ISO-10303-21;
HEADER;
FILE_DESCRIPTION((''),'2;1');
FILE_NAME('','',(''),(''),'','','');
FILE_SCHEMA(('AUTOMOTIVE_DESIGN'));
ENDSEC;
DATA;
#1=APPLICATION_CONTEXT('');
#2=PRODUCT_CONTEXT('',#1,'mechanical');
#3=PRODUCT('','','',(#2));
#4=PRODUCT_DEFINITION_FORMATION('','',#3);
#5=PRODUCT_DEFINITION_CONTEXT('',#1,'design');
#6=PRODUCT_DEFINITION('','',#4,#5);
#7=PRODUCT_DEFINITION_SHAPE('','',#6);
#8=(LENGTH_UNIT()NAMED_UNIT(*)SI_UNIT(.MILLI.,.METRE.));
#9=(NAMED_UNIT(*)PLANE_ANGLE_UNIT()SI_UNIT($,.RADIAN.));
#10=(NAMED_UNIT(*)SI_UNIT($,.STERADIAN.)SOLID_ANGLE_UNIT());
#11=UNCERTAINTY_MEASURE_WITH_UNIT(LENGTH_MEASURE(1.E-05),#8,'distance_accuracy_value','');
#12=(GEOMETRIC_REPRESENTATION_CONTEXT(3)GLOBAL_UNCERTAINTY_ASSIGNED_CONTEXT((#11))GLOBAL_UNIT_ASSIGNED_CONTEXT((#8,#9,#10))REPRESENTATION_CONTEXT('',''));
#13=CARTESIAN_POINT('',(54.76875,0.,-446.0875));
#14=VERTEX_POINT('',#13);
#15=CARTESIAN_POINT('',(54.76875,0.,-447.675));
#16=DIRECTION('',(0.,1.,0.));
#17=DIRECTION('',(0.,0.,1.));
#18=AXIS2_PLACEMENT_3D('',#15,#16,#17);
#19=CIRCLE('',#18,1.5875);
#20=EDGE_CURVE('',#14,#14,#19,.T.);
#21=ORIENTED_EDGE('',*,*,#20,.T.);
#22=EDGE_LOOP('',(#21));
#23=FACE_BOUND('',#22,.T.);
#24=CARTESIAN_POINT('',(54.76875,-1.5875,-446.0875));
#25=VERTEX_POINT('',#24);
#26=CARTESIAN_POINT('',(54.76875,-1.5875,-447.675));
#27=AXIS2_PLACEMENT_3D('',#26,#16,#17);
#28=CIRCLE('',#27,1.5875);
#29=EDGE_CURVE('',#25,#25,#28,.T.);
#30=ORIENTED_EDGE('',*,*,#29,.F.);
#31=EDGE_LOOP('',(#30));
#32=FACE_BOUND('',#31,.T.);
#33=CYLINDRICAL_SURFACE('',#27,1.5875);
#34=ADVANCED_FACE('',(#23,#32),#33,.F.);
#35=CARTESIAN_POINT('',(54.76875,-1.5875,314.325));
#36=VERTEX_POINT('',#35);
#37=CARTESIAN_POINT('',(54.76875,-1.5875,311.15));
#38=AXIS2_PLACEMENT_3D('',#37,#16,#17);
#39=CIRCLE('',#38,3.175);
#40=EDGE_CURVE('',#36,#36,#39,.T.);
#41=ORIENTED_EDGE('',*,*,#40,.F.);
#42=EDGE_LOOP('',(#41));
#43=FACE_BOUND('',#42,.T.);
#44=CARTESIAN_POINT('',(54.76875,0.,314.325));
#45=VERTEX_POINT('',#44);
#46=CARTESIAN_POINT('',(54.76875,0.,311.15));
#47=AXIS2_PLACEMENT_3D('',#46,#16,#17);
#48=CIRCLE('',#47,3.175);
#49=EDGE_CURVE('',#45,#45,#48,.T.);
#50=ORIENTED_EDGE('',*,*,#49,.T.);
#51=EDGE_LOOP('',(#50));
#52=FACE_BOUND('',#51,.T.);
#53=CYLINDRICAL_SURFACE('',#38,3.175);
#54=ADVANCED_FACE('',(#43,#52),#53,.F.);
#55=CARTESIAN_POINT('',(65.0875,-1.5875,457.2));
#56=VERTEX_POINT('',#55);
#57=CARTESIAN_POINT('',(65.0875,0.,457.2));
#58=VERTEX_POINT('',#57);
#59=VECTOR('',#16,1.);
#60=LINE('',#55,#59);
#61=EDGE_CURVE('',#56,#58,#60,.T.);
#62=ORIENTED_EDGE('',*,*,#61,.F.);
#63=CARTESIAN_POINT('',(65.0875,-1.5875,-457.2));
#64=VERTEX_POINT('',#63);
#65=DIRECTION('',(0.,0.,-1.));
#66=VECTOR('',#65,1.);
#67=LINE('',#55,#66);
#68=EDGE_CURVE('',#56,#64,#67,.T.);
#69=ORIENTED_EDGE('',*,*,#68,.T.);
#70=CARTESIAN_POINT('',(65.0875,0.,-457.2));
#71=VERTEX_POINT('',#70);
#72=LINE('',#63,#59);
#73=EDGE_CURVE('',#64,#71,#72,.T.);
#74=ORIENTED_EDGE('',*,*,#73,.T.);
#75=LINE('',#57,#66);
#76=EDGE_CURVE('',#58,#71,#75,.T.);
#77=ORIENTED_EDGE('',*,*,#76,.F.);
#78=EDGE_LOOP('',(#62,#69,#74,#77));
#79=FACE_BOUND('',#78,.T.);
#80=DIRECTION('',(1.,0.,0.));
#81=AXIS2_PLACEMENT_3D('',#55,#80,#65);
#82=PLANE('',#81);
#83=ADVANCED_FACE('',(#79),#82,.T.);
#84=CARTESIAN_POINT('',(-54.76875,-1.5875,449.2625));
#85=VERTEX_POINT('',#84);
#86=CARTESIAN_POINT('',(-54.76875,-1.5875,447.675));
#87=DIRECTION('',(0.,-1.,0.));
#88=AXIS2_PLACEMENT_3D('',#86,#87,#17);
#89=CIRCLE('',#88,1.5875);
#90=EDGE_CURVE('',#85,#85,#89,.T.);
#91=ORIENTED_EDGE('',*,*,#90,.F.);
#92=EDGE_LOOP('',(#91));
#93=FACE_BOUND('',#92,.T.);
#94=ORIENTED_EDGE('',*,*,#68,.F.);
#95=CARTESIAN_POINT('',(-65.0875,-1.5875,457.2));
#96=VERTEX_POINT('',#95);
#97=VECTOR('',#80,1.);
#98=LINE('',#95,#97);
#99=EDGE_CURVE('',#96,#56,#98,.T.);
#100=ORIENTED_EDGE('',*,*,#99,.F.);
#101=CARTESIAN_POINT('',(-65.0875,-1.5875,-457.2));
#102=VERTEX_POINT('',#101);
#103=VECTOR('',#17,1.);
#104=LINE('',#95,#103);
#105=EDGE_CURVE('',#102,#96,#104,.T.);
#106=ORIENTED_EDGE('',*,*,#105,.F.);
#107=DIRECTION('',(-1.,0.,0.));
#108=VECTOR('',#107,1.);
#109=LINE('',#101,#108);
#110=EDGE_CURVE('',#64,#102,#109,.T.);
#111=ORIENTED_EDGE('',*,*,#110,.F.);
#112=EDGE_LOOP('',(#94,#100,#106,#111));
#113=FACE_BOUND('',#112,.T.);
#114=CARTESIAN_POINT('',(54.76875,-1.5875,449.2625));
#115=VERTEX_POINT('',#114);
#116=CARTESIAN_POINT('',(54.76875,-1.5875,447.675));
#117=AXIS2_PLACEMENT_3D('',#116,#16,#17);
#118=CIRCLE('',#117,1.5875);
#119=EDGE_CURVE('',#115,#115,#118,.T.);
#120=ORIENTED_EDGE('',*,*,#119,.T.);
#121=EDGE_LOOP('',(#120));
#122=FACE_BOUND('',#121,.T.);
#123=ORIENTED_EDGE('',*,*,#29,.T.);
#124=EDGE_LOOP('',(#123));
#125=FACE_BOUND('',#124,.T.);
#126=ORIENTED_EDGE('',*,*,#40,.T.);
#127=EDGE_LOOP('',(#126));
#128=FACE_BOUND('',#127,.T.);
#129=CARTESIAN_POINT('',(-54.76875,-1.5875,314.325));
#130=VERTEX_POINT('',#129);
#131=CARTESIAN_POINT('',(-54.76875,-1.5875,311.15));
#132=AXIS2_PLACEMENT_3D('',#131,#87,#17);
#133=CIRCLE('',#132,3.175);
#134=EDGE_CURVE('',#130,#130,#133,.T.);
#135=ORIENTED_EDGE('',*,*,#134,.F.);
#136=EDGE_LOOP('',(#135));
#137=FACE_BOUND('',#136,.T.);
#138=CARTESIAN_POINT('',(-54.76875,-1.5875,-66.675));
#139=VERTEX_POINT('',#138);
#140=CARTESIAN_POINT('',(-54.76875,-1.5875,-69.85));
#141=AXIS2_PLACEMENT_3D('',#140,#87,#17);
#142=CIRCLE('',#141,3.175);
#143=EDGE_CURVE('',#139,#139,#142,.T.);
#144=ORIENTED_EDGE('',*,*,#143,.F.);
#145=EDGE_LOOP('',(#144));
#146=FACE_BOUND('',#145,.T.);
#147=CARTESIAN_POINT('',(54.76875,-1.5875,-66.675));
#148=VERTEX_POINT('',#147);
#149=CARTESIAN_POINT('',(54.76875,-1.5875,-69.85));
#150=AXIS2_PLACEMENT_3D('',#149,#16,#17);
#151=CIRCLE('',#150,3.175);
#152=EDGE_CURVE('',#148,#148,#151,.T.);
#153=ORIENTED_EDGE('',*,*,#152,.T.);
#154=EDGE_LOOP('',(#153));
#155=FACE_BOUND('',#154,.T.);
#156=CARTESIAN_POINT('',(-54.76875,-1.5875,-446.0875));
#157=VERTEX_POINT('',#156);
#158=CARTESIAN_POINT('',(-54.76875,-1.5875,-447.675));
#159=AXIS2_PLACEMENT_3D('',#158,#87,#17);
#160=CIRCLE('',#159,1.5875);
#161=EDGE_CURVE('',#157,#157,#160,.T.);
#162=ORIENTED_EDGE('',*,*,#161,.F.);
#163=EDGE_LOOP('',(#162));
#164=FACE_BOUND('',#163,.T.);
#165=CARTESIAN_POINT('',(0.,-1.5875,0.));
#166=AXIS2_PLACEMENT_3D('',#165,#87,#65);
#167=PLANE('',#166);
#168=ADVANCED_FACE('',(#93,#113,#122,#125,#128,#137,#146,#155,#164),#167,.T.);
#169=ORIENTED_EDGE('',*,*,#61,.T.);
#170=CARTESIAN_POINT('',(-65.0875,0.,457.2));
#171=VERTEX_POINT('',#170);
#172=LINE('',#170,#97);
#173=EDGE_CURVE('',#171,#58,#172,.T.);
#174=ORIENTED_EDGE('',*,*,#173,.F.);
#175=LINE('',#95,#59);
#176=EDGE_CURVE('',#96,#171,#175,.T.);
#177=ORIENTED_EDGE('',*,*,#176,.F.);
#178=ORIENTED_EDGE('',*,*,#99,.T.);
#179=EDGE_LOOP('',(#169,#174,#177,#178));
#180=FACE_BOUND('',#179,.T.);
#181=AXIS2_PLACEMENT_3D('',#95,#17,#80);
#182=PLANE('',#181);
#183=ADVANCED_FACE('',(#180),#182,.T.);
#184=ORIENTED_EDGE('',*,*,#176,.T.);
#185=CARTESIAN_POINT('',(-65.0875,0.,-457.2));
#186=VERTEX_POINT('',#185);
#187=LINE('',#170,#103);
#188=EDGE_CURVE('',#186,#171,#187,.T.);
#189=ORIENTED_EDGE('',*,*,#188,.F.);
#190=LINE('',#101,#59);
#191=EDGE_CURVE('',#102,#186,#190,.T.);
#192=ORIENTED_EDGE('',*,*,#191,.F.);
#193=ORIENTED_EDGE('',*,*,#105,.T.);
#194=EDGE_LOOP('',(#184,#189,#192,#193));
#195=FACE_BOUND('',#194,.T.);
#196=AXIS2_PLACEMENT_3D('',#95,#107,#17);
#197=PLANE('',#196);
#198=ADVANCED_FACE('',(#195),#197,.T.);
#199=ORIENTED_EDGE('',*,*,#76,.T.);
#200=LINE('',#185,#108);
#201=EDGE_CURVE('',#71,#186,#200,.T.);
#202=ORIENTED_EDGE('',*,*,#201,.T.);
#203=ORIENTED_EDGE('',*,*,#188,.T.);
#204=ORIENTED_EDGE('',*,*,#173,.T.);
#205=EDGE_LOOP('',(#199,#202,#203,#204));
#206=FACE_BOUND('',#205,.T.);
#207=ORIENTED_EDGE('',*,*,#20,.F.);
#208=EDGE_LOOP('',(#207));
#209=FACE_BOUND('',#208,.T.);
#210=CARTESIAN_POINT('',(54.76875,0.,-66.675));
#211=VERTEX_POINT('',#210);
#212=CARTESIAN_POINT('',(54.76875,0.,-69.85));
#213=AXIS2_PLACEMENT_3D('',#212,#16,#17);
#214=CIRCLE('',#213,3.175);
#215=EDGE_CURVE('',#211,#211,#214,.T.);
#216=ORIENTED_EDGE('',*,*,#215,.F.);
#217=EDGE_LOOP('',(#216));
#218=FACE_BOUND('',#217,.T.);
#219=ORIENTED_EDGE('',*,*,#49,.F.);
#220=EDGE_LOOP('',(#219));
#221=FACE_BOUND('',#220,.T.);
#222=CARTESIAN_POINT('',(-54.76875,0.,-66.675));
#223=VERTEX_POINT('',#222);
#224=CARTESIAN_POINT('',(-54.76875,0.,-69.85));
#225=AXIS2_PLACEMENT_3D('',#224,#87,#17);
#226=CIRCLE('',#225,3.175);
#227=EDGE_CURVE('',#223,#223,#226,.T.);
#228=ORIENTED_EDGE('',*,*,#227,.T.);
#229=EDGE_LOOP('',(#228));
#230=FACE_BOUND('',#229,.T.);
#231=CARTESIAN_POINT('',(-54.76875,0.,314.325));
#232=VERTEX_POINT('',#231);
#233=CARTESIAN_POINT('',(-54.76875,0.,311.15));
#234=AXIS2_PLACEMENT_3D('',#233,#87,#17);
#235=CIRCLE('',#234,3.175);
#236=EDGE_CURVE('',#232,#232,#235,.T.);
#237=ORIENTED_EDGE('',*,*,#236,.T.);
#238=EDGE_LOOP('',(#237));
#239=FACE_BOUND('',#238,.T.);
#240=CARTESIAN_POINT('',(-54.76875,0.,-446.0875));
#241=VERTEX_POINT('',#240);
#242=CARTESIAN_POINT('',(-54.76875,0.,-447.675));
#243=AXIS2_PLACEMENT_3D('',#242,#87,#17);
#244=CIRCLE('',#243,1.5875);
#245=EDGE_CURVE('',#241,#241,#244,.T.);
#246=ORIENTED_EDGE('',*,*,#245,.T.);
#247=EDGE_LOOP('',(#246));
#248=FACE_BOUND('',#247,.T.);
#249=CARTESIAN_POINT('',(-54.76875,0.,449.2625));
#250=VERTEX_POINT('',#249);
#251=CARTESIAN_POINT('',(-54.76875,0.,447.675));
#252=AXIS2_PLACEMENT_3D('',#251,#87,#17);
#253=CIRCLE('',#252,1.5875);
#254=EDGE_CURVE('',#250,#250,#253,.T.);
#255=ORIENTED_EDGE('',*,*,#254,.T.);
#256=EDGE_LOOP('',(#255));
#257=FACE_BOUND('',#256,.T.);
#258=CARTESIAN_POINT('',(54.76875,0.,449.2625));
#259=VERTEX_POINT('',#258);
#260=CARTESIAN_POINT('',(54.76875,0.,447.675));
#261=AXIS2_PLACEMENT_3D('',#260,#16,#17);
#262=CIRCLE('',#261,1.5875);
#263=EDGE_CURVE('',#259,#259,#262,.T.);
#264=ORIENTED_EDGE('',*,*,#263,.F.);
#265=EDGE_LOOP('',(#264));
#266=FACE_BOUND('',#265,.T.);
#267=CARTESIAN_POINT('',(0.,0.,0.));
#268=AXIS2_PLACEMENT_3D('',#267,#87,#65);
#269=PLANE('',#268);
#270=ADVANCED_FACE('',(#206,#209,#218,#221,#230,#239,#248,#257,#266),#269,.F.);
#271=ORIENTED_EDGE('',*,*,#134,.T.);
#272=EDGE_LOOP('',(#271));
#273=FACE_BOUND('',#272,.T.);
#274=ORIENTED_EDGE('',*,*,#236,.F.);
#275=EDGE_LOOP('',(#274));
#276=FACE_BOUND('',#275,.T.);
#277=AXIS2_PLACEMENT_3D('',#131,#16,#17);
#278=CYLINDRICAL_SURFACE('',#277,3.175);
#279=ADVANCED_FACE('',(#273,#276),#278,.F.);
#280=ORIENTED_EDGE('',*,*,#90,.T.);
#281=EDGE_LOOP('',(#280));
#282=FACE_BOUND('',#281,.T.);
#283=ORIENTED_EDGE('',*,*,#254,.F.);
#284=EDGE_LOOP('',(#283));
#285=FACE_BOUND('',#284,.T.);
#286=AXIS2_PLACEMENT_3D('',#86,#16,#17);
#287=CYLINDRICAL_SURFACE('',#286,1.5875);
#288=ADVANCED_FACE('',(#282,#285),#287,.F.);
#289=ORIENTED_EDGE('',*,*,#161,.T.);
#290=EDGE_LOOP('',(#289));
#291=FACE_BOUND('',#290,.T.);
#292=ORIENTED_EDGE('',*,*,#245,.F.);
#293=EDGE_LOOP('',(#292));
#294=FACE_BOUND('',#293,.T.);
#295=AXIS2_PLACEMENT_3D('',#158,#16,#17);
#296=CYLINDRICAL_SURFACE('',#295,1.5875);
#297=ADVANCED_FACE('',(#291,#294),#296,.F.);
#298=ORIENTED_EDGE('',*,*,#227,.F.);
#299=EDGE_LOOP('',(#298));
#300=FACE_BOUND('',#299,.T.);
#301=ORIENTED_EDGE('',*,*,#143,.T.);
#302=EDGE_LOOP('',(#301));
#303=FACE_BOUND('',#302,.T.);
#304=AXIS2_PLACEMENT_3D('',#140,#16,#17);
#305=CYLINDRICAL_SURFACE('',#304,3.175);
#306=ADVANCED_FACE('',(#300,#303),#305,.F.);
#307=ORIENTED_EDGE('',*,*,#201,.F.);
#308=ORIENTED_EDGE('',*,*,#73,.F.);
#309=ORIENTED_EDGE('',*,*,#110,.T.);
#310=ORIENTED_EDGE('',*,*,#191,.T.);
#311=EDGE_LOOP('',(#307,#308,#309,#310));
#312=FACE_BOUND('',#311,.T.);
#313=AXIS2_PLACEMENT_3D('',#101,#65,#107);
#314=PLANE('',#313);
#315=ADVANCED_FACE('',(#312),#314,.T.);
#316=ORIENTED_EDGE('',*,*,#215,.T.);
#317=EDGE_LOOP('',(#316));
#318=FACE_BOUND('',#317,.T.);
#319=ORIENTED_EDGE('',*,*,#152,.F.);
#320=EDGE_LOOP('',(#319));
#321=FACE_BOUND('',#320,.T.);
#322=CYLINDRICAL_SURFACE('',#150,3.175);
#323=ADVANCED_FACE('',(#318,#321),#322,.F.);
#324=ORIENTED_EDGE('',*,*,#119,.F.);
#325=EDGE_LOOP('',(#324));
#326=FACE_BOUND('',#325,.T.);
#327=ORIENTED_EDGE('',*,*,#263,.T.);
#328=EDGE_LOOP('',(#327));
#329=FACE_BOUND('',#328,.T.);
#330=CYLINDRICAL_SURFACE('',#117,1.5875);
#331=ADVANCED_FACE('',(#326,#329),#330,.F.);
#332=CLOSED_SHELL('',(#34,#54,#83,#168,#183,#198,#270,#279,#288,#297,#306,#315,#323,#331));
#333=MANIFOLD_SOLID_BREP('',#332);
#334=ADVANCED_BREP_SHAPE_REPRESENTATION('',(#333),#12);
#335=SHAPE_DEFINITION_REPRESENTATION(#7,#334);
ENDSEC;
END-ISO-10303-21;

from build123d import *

# Parameters (mm, degrees)
SKETCH1_W           = 130.175
SKETCH1_H           = 914.4
BOSS_EXTRUDE1_DEPTH = 1.5875
SKETCH2_R           = 1.5875
SKETCH2_R_2         = 3.175
CUT_EXTRUDE2_DEPTH  = 462.812454155


with BuildPart() as part:
    # Sketch1 → Boss-Extrude1 (new body)
    with BuildSketch(Plane(origin=(0, 0, 0), x_dir=(1, 0, 0), z_dir=(0, 1, 0))):
        Rectangle(SKETCH1_W, SKETCH1_H)
    extrude(amount=-BOSS_EXTRUDE1_DEPTH)

    # Sketch2 → Cut-Extrude2 (cut, through all)
    with BuildSketch(Plane(origin=(0, 0, 0), x_dir=(1, 0, 0), z_dir=(0, 1, 0))):
        with Locations(Location((54.76875, -447.675, 0), (0, 0, 270))):
            Circle(SKETCH2_R)
        with Locations(Location((54.76875, -311.15, 0), (0, 0, 270))):
            Circle(SKETCH2_R_2)
        with Locations(Location((54.76875, 447.675, 0), (0, 0, 270))):
            Circle(SKETCH2_R)
        with Locations(Location((54.76875, 69.85, 0), (0, 0, 270))):
            Circle(SKETCH2_R_2)
    cut_extrude2 = extrude(amount=-CUT_EXTRUDE2_DEPTH, mode=Mode.SUBTRACT)

    # Mirror2: Cut-Extrude2 across plane
    add(cut_extrude2.mirror(Plane(origin=(0, 0, 0), x_dir=(0, 0, 1), z_dir=(1, 0, 0))), mode=Mode.SUBTRACT)


solid = part.part
